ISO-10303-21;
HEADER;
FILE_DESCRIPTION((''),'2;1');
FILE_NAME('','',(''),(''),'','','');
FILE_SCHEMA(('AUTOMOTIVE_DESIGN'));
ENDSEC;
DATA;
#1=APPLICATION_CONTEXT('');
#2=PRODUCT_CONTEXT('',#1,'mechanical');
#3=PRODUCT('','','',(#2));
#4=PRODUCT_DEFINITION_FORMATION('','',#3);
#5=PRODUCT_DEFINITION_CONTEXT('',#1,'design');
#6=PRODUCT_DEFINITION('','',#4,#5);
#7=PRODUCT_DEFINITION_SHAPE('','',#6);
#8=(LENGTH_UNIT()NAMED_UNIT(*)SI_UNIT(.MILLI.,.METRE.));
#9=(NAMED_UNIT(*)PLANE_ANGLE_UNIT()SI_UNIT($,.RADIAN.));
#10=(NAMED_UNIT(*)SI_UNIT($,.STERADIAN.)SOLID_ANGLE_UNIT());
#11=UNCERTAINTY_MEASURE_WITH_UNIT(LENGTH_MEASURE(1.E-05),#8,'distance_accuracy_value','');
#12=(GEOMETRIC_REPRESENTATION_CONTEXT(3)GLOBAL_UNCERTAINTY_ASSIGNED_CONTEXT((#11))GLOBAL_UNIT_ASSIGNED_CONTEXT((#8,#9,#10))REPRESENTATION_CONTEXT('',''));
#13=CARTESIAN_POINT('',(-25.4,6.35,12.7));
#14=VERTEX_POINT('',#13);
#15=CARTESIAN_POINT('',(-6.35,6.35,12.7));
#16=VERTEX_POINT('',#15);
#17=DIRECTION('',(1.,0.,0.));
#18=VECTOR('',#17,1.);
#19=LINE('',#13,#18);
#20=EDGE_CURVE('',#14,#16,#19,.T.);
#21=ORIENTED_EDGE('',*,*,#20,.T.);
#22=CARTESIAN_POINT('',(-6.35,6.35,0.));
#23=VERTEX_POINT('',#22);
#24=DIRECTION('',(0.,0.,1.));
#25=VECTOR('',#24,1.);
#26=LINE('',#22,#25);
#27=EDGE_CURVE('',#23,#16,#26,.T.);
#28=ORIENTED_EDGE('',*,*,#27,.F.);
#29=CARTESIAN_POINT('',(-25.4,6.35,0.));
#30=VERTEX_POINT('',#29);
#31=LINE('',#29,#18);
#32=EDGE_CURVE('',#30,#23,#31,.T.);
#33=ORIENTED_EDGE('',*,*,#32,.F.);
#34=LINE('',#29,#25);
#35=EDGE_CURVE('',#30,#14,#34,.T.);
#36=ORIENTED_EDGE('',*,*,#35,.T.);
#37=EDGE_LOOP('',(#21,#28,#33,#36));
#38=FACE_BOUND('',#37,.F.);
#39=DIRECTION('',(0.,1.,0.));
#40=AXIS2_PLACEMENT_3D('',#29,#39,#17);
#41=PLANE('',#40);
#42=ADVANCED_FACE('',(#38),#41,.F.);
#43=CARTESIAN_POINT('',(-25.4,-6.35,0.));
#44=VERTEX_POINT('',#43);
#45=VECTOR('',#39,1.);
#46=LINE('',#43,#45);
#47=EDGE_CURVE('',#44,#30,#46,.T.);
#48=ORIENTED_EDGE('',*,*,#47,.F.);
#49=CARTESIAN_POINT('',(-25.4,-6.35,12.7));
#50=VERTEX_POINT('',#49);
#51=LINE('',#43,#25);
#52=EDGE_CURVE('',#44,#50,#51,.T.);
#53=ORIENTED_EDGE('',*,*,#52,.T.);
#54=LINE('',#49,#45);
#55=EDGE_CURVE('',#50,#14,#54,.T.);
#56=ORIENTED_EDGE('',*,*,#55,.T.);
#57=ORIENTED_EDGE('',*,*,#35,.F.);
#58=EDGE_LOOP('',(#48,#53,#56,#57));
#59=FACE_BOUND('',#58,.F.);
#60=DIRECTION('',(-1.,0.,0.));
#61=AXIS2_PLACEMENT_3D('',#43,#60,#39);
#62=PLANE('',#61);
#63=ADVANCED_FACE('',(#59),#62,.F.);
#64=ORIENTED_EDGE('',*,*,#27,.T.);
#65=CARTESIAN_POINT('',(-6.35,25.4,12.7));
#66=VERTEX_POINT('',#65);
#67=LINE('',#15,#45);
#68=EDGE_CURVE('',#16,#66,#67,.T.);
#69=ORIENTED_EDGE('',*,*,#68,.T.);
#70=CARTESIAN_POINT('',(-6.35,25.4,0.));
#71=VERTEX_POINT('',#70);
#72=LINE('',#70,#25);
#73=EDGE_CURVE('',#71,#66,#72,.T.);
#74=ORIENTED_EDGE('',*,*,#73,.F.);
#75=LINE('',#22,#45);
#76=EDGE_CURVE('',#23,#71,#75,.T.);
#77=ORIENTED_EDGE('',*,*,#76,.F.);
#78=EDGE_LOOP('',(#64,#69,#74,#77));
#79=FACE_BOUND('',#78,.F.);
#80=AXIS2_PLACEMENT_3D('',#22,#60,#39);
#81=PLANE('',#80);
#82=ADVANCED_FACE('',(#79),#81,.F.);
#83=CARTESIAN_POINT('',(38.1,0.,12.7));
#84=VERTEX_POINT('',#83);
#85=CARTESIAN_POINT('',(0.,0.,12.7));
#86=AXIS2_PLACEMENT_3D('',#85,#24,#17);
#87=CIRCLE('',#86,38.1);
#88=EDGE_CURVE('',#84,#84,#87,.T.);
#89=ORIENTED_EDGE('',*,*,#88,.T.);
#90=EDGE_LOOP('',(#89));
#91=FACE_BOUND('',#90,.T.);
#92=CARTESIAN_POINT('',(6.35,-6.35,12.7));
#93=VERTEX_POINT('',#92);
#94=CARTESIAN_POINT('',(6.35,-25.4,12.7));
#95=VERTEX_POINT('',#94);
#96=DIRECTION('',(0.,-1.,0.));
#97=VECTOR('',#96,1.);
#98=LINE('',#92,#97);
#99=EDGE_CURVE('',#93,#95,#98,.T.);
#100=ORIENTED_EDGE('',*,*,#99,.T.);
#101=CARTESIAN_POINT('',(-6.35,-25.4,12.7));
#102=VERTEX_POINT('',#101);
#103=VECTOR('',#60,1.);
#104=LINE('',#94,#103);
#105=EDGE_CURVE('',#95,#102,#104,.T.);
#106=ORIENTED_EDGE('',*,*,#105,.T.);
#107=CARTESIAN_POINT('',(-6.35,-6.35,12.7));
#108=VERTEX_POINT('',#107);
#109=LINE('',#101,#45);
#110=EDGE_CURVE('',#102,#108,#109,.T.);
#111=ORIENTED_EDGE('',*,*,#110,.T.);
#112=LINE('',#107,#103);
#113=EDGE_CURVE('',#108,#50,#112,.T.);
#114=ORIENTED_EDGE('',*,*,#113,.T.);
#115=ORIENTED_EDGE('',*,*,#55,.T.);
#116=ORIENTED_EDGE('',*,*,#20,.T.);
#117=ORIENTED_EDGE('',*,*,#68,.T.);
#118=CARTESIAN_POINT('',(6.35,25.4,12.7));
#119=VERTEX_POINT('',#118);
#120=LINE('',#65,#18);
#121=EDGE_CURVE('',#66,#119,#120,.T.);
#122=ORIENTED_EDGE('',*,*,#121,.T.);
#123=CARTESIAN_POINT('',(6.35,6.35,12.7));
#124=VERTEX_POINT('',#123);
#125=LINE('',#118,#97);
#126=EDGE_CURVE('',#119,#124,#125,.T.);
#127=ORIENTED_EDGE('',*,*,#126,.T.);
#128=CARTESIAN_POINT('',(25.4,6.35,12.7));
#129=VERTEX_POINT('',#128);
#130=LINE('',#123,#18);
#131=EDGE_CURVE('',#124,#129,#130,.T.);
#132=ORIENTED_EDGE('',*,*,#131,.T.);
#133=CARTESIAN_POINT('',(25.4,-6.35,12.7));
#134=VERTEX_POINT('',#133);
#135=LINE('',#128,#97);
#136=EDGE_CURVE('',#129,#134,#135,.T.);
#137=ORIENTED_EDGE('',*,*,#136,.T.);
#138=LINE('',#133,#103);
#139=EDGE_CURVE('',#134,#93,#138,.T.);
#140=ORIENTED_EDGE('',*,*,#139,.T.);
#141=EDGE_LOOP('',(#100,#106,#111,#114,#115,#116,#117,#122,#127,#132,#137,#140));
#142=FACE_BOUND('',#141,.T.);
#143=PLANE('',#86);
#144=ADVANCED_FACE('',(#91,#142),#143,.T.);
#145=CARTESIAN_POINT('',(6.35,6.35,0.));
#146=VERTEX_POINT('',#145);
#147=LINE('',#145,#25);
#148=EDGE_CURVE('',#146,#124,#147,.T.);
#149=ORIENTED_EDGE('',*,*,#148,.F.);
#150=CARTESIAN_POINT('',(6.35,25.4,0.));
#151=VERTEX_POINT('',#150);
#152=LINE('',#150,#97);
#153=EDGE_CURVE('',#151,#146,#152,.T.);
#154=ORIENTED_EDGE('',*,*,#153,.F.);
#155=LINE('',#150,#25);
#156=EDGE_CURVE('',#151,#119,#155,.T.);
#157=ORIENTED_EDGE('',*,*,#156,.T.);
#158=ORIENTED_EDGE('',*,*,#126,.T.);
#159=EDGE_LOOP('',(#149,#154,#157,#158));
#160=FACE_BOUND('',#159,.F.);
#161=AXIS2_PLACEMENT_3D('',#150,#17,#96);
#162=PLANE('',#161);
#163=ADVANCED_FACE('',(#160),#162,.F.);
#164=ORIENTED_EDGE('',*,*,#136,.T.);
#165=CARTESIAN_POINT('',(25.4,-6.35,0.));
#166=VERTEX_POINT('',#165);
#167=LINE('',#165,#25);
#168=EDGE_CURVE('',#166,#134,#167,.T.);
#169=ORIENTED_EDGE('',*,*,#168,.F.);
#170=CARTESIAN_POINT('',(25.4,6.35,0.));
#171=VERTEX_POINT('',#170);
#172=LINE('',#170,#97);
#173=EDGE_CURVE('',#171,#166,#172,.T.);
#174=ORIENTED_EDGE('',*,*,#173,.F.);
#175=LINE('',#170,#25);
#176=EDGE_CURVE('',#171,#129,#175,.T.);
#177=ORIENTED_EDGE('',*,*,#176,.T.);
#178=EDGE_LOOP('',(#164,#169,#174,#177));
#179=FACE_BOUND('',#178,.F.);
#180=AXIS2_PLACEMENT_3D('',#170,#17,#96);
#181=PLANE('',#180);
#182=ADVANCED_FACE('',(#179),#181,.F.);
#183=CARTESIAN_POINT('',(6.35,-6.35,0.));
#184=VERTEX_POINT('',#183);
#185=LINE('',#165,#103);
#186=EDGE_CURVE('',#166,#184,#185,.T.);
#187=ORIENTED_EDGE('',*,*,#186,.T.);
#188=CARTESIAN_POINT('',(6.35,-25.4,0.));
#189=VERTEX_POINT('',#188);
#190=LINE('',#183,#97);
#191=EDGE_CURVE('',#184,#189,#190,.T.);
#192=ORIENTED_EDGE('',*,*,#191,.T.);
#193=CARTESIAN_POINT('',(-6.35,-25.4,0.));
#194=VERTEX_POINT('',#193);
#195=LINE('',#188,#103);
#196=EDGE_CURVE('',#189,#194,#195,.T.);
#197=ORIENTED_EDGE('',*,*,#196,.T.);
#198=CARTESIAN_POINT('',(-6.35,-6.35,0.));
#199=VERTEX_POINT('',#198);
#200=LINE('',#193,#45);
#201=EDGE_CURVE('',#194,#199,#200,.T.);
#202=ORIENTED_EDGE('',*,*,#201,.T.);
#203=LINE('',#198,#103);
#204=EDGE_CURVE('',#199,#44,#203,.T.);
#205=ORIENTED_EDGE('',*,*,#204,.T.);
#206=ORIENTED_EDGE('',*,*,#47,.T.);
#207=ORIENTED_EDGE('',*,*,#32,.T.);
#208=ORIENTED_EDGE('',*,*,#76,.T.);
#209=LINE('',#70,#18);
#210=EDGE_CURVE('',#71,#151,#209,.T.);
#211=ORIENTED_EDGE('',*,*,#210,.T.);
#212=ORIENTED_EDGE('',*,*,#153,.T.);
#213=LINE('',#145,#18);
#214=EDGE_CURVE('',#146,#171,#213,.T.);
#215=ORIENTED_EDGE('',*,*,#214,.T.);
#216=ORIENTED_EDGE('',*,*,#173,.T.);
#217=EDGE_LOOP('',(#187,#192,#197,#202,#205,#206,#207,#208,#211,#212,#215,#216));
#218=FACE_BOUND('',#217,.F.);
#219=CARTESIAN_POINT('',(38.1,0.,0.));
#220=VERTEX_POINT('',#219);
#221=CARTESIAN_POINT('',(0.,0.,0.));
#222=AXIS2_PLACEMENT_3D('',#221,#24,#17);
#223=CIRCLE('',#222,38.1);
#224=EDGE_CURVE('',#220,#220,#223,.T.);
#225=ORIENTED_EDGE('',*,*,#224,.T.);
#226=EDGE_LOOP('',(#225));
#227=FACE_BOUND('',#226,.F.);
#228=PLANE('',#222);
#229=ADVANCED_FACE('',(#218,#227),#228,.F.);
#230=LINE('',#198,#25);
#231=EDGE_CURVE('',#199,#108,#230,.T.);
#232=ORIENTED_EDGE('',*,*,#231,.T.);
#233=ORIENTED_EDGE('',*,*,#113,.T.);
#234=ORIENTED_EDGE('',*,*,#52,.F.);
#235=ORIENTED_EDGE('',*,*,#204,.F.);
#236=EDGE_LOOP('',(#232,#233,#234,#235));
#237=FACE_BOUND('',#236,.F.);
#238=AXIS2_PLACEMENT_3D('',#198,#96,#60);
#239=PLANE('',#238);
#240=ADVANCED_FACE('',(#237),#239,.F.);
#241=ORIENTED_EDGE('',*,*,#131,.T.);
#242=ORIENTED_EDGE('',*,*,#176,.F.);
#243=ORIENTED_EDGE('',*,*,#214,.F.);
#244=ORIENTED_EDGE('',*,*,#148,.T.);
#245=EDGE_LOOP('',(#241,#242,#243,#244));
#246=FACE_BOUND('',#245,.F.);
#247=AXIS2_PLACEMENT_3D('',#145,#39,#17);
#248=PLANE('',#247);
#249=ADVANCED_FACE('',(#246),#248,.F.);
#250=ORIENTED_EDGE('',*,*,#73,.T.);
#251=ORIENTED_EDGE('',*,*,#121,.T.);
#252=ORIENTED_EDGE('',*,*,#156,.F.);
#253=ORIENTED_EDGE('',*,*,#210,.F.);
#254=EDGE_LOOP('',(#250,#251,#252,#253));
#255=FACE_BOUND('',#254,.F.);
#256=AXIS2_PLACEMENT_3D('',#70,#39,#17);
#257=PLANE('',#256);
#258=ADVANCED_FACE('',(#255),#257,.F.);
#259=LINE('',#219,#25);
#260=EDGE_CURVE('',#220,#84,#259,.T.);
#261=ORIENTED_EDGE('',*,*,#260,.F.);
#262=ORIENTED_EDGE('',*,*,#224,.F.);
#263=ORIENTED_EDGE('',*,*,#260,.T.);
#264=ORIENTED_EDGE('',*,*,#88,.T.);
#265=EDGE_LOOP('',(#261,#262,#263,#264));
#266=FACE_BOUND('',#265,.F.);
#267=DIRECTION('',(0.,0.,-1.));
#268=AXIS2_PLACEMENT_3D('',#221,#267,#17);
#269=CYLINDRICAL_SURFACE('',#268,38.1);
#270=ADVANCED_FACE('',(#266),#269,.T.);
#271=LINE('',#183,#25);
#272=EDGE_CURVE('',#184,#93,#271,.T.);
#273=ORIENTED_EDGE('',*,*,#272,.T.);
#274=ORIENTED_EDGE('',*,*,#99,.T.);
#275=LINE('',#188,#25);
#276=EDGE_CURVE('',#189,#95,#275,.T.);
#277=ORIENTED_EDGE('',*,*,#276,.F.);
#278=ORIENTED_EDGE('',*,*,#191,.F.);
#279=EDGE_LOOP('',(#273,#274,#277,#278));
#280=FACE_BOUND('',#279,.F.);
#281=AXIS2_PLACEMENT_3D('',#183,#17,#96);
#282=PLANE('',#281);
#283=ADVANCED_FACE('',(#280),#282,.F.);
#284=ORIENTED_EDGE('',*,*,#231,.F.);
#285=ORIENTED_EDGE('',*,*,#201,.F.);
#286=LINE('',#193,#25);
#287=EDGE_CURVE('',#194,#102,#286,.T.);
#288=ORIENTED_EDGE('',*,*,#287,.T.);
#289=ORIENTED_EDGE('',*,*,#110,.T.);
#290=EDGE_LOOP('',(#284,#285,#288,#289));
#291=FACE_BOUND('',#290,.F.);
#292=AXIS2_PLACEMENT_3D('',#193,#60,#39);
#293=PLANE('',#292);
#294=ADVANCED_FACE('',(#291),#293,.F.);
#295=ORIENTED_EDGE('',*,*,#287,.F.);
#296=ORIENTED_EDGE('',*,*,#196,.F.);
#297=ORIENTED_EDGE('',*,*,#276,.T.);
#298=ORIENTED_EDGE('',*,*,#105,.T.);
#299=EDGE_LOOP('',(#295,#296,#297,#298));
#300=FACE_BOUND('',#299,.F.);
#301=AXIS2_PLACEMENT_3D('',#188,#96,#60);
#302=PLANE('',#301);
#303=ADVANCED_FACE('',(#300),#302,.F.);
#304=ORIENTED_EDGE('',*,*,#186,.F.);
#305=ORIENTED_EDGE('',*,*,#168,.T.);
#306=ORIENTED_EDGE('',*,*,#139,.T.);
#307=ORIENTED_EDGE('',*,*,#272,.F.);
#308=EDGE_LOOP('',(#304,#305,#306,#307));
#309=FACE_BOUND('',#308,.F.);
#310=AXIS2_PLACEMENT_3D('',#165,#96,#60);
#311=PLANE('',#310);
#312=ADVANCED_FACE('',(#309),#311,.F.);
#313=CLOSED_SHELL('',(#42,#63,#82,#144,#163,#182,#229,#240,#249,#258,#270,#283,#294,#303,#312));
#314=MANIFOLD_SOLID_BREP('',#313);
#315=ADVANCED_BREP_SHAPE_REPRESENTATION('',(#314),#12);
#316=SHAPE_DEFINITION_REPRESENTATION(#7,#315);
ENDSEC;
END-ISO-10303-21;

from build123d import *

# Parameters (mm, degrees)
F0_R     = 38.1
F1_DEPTH = 12.7


with BuildPart() as f1:
    # F0 (on Top) → F1 (new body)
    with BuildSketch(Plane.XY):
        Circle(F0_R)
        Polygon((6.35, 25.4), (6.35, 6.35), (25.4, 6.35), (25.4, -6.35), (6.35, -6.35), (6.35, -25.4), (-6.35, -25.4), (-6.35, -6.35), (-25.4, -6.35), (-25.4, 6.35), (-6.35, 6.35), (-6.35, 25.4), align=None, mode=Mode.SUBTRACT)
    extrude(amount=F1_DEPTH)


solid = f1.part
